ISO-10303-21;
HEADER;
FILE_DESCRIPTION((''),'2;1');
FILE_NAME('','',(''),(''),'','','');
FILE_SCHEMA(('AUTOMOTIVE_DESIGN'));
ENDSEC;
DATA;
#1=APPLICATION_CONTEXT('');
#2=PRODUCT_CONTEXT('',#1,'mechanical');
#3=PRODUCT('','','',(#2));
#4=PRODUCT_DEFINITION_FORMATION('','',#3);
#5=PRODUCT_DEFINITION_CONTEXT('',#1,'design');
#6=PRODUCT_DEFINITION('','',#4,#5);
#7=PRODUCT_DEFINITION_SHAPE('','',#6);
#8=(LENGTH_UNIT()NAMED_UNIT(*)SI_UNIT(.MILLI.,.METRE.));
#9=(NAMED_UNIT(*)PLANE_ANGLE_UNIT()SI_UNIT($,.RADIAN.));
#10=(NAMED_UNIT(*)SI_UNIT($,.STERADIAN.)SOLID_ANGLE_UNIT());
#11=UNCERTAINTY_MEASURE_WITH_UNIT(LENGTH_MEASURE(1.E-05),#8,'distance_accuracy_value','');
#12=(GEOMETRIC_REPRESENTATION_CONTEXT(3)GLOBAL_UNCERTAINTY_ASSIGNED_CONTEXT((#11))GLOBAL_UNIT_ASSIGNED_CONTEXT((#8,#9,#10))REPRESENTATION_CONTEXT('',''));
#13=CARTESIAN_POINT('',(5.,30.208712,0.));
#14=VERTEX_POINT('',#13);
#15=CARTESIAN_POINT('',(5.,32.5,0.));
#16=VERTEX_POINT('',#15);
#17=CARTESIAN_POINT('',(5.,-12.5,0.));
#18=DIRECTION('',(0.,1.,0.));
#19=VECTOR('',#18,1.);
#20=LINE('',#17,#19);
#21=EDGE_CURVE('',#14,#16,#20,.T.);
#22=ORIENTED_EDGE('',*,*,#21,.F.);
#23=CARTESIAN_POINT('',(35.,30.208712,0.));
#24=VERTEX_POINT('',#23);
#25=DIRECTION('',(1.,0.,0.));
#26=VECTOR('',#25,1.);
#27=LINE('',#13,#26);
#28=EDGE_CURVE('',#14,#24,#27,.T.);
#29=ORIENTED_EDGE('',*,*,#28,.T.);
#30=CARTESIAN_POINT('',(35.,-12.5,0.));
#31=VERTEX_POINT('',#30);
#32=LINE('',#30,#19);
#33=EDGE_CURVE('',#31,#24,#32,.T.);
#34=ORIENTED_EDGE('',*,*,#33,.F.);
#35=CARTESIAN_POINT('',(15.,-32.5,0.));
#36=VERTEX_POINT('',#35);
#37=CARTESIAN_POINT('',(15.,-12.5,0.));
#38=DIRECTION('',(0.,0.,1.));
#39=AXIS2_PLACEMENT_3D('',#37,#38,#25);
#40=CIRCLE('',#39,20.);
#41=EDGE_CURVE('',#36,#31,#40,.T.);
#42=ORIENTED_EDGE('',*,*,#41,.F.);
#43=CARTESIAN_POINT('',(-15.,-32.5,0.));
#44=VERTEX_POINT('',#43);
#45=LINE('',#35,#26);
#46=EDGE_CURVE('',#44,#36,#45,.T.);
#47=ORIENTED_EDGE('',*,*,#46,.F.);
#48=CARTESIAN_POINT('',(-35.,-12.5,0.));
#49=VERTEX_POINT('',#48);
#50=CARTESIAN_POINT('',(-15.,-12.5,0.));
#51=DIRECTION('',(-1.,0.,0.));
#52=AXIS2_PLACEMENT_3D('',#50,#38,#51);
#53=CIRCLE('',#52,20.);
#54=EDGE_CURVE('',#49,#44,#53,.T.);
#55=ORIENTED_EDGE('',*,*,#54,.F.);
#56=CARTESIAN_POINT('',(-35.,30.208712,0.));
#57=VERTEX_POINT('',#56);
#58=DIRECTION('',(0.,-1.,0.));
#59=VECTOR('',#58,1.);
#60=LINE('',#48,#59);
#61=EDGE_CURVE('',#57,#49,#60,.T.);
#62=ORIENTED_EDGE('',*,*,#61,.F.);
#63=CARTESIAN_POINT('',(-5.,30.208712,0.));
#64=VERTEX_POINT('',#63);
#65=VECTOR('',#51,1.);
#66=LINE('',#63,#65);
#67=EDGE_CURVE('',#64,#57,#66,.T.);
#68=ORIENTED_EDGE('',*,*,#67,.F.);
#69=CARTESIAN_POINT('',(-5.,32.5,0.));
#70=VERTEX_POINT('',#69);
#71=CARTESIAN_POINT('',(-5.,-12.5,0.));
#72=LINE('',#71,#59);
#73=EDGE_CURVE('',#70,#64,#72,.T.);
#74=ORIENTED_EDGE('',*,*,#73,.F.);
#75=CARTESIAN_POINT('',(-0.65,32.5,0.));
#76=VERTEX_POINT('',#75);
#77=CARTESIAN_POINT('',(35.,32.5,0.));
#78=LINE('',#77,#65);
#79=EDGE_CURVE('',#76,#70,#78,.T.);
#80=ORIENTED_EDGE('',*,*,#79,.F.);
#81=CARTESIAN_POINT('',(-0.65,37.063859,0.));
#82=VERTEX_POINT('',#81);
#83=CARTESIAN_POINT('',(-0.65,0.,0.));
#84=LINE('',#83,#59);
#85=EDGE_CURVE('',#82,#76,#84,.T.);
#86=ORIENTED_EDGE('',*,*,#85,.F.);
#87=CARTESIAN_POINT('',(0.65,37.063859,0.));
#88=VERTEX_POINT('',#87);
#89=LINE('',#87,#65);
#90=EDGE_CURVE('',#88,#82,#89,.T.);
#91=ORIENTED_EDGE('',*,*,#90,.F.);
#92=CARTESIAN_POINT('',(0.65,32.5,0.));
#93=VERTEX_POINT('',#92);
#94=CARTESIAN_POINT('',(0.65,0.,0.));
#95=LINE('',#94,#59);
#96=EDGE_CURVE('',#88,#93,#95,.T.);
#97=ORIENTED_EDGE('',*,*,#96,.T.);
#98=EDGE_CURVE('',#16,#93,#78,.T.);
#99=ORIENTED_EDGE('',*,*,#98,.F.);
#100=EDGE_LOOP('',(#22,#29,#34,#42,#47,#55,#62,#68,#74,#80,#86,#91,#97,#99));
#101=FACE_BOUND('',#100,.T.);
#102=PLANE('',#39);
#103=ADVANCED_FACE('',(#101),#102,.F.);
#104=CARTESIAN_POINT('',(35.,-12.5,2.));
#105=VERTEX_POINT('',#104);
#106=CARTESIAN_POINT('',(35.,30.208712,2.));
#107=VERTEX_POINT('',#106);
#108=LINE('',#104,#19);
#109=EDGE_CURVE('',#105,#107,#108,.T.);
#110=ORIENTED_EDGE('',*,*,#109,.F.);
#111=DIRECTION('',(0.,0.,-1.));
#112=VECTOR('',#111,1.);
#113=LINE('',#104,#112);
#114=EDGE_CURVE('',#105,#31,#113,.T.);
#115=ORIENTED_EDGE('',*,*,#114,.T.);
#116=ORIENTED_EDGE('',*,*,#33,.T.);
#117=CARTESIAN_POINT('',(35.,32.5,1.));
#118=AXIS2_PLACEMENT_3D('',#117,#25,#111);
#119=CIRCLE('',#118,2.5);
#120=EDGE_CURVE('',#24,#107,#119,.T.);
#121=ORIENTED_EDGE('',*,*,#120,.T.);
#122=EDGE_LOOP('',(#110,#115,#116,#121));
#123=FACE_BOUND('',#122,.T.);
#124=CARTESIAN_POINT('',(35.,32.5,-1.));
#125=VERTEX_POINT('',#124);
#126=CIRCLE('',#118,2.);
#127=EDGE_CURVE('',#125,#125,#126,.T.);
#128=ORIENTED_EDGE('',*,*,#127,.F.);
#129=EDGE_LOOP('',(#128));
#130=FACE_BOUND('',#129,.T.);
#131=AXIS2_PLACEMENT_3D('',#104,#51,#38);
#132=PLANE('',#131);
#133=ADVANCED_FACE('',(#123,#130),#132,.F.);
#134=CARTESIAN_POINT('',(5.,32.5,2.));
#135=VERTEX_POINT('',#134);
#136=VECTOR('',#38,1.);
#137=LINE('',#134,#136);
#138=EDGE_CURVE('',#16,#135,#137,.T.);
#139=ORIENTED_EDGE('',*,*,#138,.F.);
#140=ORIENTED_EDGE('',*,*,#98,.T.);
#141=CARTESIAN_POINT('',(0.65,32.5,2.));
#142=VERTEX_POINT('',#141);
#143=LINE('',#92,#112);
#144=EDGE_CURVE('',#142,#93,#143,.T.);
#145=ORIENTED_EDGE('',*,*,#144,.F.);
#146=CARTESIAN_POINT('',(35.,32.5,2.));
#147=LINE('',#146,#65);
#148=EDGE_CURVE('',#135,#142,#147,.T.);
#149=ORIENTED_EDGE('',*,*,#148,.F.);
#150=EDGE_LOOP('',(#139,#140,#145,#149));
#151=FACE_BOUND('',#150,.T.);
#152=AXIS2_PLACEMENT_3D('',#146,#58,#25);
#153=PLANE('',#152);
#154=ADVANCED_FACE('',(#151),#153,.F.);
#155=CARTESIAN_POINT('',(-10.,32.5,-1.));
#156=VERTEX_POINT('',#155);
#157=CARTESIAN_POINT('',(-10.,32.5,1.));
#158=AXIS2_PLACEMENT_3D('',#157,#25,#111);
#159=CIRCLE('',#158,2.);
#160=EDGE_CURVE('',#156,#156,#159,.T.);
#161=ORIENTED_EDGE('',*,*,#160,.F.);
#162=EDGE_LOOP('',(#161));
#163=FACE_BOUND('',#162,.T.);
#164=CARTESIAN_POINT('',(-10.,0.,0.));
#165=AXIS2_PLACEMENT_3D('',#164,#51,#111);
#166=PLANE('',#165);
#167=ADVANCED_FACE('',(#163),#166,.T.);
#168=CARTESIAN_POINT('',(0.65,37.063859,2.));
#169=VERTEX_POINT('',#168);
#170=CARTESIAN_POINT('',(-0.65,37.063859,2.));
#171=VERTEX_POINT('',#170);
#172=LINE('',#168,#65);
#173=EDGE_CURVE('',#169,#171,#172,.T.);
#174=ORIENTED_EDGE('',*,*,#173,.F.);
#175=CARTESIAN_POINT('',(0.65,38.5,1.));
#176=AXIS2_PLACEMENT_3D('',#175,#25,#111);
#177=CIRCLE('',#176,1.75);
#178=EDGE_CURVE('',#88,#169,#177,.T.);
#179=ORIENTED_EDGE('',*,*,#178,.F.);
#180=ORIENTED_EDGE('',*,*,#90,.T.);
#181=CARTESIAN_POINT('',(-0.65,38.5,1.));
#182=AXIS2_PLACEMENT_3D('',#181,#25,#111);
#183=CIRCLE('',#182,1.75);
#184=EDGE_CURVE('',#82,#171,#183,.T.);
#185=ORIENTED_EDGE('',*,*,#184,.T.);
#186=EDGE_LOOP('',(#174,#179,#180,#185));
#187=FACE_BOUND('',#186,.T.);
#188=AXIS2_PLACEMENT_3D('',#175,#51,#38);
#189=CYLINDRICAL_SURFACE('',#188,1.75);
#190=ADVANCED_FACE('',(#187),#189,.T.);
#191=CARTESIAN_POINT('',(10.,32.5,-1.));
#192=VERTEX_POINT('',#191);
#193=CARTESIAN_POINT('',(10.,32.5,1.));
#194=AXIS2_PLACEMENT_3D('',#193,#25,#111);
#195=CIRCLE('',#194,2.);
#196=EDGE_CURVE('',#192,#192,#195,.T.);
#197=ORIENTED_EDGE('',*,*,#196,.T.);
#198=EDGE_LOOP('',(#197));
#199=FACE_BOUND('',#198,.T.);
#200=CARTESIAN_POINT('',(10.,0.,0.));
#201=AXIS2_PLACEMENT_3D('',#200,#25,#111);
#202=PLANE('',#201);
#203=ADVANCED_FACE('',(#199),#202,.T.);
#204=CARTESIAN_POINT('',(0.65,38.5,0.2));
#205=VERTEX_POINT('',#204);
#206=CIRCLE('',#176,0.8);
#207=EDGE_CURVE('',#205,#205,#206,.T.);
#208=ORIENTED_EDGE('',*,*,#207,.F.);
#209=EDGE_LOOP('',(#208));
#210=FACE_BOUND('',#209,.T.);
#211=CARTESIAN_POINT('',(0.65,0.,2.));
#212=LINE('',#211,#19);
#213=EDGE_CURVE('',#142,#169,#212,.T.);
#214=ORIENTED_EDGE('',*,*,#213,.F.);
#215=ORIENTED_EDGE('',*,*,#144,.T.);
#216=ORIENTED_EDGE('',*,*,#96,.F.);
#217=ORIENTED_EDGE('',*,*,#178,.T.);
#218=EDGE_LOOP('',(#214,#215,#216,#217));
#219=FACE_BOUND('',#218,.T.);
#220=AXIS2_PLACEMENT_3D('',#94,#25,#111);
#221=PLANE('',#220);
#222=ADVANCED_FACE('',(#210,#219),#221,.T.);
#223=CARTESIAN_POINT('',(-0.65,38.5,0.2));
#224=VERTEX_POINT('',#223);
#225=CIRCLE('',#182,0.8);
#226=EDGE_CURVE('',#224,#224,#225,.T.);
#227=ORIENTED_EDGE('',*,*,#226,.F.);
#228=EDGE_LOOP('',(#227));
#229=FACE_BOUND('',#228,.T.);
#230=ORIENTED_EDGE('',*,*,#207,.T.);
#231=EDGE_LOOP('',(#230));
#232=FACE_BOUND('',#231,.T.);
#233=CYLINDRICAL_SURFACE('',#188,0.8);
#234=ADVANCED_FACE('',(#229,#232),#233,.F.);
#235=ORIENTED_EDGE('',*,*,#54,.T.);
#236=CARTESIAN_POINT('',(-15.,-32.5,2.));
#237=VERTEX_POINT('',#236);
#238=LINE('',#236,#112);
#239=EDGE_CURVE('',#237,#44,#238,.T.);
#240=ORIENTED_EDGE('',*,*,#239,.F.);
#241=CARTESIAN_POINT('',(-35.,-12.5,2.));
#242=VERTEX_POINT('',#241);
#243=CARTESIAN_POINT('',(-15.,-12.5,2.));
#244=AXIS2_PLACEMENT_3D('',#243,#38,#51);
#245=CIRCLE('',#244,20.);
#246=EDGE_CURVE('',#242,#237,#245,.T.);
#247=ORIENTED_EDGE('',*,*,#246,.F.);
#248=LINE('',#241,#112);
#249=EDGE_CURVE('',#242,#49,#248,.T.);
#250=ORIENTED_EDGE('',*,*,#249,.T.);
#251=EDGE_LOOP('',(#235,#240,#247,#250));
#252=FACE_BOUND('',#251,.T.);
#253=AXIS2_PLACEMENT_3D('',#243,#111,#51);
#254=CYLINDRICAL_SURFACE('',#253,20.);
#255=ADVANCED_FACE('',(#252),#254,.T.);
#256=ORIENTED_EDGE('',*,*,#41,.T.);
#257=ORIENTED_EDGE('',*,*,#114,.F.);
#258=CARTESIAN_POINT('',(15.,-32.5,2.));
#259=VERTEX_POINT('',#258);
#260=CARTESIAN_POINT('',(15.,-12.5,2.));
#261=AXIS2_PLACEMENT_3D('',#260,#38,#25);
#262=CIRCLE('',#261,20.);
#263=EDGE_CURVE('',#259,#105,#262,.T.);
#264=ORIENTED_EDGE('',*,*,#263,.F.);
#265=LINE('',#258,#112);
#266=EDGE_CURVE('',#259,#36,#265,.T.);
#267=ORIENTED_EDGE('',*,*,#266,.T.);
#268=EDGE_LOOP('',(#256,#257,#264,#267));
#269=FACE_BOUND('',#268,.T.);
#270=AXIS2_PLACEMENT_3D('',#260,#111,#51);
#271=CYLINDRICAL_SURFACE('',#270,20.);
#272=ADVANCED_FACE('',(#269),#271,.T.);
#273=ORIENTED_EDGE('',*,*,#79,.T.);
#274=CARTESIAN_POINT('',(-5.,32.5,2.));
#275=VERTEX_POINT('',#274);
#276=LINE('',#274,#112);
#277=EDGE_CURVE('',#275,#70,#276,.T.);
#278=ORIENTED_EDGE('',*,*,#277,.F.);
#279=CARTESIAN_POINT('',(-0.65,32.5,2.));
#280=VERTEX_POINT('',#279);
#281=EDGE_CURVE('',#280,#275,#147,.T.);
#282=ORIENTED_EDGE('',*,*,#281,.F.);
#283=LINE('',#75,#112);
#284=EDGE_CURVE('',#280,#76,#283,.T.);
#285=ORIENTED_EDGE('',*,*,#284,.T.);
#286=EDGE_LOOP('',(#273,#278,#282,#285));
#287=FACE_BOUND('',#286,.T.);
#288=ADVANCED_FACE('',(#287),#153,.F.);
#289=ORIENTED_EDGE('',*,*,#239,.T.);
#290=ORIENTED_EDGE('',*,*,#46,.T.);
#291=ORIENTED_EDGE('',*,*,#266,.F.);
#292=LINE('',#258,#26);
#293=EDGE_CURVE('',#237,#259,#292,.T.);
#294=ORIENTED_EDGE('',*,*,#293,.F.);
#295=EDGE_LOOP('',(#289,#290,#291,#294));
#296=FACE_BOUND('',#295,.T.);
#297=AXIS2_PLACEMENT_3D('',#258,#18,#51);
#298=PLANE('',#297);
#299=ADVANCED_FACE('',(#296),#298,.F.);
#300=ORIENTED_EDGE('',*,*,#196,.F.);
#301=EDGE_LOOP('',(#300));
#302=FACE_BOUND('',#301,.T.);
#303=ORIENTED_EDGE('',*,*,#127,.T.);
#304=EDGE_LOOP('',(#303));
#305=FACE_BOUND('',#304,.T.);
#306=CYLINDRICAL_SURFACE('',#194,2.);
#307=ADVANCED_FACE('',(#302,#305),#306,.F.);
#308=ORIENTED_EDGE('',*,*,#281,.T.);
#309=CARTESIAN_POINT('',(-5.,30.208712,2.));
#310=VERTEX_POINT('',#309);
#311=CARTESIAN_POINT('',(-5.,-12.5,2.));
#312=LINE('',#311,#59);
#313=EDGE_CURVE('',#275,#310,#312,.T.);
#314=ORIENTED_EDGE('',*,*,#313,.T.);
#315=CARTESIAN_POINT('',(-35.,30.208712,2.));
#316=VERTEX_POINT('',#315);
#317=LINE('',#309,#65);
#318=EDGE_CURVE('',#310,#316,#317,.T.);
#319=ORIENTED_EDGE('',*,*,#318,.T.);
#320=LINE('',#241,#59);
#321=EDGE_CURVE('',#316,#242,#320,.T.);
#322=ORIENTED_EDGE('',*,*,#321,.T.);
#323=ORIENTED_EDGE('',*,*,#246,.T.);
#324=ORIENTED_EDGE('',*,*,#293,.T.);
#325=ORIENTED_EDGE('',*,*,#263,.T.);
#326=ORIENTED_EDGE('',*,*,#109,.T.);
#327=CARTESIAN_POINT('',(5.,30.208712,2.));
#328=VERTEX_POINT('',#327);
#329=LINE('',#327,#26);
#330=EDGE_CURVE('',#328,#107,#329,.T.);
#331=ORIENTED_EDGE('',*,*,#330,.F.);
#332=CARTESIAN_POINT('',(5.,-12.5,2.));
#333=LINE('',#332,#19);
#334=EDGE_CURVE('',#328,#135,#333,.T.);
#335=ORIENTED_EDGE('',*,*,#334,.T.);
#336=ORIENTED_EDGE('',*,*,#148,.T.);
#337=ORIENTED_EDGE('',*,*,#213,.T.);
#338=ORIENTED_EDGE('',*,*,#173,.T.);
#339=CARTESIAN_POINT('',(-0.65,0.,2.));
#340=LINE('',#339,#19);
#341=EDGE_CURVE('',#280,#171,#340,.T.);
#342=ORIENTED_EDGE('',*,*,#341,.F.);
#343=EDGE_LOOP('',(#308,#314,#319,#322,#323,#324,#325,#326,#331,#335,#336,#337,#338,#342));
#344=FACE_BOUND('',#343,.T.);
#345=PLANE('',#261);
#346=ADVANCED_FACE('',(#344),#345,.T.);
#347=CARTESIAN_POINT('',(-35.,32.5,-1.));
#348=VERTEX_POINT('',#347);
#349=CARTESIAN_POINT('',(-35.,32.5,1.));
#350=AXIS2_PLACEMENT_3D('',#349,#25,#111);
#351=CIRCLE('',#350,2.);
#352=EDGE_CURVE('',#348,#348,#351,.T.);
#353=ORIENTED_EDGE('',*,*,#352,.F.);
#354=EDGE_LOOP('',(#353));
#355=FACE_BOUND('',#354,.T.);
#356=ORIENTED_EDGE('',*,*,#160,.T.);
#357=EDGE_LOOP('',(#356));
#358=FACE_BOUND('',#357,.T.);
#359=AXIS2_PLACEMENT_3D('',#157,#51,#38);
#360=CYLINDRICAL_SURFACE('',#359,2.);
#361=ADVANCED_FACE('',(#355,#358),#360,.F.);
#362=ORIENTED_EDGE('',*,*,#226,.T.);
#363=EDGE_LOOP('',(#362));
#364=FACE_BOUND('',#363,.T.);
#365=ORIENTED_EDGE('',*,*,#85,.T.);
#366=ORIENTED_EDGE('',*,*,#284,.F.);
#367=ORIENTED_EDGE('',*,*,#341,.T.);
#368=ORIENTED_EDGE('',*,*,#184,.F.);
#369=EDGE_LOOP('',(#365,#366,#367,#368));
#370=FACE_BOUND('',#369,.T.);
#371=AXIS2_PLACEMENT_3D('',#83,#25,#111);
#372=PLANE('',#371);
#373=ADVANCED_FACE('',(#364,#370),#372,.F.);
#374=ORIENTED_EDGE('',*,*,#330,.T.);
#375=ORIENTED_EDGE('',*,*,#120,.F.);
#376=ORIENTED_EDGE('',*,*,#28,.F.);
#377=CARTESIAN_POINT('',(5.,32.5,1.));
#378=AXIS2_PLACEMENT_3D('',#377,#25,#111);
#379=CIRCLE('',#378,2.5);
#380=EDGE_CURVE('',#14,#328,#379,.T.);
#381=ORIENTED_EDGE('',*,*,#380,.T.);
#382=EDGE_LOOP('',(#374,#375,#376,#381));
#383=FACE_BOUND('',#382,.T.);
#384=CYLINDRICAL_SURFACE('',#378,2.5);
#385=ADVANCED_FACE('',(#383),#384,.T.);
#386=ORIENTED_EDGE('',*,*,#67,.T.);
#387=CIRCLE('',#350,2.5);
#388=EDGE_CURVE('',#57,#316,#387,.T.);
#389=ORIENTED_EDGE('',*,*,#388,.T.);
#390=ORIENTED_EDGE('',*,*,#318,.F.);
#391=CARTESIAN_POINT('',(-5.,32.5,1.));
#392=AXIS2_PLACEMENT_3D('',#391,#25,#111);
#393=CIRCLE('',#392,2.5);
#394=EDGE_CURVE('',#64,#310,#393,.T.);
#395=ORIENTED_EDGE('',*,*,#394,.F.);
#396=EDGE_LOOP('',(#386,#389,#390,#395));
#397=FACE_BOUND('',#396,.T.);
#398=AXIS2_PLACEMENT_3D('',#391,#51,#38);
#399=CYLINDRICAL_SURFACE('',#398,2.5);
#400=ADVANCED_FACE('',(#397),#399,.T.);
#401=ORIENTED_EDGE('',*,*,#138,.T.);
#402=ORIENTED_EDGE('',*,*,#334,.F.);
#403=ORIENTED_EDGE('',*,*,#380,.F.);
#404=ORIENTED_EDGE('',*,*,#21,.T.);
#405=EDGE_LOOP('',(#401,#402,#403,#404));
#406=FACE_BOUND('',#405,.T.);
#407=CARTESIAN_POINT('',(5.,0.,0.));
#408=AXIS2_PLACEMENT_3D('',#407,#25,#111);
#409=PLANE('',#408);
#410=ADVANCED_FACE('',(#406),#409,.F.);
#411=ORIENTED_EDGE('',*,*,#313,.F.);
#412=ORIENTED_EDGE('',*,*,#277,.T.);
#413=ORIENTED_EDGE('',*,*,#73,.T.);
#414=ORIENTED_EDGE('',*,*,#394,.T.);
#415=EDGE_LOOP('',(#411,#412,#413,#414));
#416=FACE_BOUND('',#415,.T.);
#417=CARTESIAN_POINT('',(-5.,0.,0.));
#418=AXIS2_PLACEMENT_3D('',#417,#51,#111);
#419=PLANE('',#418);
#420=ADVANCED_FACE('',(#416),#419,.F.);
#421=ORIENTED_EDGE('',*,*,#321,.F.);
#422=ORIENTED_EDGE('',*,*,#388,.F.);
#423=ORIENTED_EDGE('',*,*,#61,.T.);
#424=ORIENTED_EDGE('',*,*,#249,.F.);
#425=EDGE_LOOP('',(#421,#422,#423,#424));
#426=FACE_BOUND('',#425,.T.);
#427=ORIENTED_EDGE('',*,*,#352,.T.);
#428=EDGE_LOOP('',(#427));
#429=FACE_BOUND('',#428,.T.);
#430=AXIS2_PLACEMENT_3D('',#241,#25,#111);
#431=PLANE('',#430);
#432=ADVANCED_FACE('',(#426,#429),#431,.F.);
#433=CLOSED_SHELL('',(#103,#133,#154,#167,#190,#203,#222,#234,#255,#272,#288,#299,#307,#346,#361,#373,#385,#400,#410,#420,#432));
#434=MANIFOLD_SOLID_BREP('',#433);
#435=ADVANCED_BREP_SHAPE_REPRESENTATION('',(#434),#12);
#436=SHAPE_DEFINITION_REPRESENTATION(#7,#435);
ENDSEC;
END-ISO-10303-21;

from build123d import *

# Parameters (mm, degrees)
BOSS_EXTRUDE1_DEPTH = 2
SKETCH3_R           = 2.5
BOSS_EXTRUDE2_DEPTH = 30
SKETCH3_4_R         = 2
CUT_EXTRUDE2_DEPTH  = 25
SKETCH4_R           = 0.8
BOSS_EXTRUDE3_DEPTH = 0.65


with BuildPart() as part:
    # Sketch2 → Boss-Extrude1 (new body)
    with BuildSketch(Plane.XY):
        with BuildLine():
            Line((15, -32.5), (-15, -32.5))
            ThreePointArc((-15, -32.5), (-29.142135624, -26.642135624), (-35, -12.5))
            Line((-35, -12.5), (-35, 32.5))
            Line((-35, 32.5), (35, 32.5))
            Line((35, 32.5), (35, -12.5))
            ThreePointArc((35, -12.5), (29.142135624, -26.642135624), (15, -32.5))
        make_face()
    extrude(amount=BOSS_EXTRUDE1_DEPTH)

    # Sketch3 → Boss-Extrude2 (add)
    with BuildSketch(Plane(origin=(35, 0, 0), x_dir=(0, 0, -1), z_dir=(1, 0, 0))):
        with Locations((-1, 32.5)):
            Circle(SKETCH3_R)
    boss_extrude2 = extrude(amount=-BOSS_EXTRUDE2_DEPTH)

    # Sketch3<4> → Cut-Extrude2 (cut)
    with BuildSketch(Plane(origin=(35, 0, 0), x_dir=(0, 0, -1), z_dir=(1, 0, 0))):
        with Locations((-1, 32.5)):
            Circle(SKETCH3_4_R)
    cut_extrude2 = extrude(amount=-CUT_EXTRUDE2_DEPTH, mode=Mode.SUBTRACT)

    # Mirror1: Boss-Extrude2, Cut-Extrude2 across plane
    add(boss_extrude2.mirror(Plane(origin=(0, 0, 0), x_dir=(0, 0, 1), z_dir=(1, 0, 0))))
    add(cut_extrude2.mirror(Plane(origin=(0, 0, 0), x_dir=(0, 0, 1), z_dir=(1, 0, 0))), mode=Mode.SUBTRACT)

    # Sketch4 → Boss-Extrude3 (add, symmetric)
    with BuildSketch(Plane(origin=(0, 0, 0), x_dir=(0, 0, -1), z_dir=(1, 0, 0))):
        with BuildLine():
            Line((-2, 37.063859338), (-2, 32.5))
            Line((-2, 32.5), (0, 32.5))
            Line((0, 32.5), (0, 37.063859338))
            ThreePointArc((0, 37.063859338), (-1, 40.25), (-2, 37.063859338))
        make_face()
        with Locations((-1, 38.5)):
            Circle(SKETCH4_R, mode=Mode.SUBTRACT)
    extrude(amount=BOSS_EXTRUDE3_DEPTH, both=True)


solid = part.part
